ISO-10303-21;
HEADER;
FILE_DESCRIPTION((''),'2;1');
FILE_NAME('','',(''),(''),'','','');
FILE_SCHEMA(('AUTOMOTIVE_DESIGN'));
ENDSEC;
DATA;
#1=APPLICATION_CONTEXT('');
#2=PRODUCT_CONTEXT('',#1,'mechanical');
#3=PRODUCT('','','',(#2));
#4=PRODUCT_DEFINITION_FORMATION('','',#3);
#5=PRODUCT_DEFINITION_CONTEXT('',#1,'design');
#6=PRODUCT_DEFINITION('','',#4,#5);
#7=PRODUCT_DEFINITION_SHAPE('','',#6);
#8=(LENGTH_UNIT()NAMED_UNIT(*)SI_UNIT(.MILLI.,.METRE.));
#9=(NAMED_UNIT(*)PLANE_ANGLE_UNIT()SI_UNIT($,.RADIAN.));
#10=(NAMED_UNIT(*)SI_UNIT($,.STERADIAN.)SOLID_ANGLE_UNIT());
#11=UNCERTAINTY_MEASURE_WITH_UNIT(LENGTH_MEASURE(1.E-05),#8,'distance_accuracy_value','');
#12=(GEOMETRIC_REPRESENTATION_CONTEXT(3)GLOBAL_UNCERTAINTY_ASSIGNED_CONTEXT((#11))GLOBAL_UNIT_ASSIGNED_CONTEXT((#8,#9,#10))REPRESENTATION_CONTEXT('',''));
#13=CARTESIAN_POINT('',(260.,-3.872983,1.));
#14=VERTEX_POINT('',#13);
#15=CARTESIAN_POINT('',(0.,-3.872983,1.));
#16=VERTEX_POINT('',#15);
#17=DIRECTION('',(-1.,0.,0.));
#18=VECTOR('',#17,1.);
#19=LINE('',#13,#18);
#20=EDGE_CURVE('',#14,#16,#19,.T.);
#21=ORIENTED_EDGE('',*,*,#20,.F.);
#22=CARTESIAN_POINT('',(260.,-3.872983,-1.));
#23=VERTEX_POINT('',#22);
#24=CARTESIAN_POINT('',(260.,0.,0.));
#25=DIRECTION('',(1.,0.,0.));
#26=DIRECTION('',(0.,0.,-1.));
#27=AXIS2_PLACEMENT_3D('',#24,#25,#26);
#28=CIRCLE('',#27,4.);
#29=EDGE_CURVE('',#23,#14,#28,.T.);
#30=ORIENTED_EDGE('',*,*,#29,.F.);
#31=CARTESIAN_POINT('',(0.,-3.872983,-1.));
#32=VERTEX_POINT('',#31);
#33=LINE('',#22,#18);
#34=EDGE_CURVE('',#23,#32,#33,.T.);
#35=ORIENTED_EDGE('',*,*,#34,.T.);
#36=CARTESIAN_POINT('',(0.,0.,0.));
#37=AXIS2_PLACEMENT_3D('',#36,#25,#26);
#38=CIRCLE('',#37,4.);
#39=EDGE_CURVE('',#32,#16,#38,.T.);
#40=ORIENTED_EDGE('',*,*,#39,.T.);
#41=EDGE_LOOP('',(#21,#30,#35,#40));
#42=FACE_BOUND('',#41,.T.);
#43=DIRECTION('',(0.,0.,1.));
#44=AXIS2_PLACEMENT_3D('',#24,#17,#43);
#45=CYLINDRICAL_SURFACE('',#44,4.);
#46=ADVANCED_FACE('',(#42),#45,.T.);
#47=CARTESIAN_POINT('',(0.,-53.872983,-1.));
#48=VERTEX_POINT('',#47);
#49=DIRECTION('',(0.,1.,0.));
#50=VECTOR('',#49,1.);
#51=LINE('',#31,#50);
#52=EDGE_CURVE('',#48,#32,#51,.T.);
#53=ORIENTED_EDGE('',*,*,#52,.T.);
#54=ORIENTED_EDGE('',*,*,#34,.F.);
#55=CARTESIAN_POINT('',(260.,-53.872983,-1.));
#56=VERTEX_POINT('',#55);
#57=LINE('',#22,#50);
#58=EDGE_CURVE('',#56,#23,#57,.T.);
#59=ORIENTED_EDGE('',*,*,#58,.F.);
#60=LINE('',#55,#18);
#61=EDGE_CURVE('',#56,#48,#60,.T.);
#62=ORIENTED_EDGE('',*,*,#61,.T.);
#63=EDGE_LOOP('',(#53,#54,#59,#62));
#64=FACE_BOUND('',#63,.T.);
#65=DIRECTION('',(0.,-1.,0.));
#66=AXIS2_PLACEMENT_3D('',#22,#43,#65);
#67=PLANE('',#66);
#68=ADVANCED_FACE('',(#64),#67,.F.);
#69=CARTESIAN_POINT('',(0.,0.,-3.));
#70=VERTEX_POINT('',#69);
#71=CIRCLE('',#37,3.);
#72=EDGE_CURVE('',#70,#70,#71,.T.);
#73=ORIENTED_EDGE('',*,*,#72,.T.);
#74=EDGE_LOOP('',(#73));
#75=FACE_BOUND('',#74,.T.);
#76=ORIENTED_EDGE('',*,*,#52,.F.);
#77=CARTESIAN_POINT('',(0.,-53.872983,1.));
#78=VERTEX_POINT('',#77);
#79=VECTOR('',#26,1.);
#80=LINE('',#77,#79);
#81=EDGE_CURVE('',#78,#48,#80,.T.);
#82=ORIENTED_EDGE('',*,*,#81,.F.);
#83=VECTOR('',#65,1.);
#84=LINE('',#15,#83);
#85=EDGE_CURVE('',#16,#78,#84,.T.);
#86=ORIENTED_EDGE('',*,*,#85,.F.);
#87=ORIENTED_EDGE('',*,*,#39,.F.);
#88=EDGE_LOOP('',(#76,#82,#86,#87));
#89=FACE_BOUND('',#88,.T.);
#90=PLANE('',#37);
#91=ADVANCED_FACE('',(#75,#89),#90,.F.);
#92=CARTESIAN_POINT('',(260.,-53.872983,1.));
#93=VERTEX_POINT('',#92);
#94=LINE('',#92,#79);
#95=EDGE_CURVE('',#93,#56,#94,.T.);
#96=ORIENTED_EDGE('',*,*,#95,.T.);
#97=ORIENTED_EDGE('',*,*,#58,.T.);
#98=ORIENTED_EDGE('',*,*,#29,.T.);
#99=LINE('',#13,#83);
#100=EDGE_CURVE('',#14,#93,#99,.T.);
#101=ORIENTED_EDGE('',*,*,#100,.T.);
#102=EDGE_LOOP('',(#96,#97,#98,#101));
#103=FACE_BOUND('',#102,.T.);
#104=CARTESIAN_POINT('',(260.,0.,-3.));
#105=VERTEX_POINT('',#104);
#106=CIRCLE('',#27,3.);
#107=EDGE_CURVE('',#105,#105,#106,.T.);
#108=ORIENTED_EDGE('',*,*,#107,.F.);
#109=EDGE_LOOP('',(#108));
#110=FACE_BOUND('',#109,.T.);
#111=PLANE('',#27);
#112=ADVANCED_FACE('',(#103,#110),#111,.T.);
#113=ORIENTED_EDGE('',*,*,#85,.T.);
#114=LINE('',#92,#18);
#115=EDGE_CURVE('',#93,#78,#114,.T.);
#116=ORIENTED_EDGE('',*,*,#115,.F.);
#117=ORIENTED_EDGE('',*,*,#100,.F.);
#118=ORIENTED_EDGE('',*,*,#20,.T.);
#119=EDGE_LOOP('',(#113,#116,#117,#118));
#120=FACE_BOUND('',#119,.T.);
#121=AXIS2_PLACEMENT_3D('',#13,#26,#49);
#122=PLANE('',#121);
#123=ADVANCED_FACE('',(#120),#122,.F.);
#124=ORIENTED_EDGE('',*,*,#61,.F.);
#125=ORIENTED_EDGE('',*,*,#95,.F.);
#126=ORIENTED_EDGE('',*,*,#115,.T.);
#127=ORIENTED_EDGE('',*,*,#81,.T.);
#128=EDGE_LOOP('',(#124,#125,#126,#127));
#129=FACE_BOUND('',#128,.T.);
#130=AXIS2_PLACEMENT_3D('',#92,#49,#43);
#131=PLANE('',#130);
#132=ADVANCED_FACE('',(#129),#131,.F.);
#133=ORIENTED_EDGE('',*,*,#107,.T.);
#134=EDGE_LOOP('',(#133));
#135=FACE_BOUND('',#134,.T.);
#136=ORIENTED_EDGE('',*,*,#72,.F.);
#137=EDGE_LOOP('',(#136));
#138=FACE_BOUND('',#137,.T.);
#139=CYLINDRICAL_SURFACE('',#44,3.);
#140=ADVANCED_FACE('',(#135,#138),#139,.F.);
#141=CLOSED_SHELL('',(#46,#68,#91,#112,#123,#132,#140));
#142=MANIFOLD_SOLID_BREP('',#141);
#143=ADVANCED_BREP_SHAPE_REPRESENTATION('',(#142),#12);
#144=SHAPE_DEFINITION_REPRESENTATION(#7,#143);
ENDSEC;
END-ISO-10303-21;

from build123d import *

# Parameters (mm, degrees)
SKETCH1_R           = 3
BOSS_EXTRUDE1_DEPTH = 260


with BuildPart() as part:
    # Sketch1 → Boss-Extrude1 (new body)
    with BuildSketch(Plane(origin=(0, 0, 0), x_dir=(0, 0, -1), z_dir=(1, 0, 0))):
        with BuildLine():
            Line((-1, -3.872983346), (-1, -53.872983346))
            Line((-1, -53.872983346), (1, -53.872983346))
            Line((1, -53.872983346), (1, -3.872983346))
            ThreePointArc((1, -3.872983346), (0, 4), (-1, -3.872983346))
        make_face()
        Circle(SKETCH1_R, mode=Mode.SUBTRACT)
    extrude(amount=BOSS_EXTRUDE1_DEPTH)


solid = part.part
